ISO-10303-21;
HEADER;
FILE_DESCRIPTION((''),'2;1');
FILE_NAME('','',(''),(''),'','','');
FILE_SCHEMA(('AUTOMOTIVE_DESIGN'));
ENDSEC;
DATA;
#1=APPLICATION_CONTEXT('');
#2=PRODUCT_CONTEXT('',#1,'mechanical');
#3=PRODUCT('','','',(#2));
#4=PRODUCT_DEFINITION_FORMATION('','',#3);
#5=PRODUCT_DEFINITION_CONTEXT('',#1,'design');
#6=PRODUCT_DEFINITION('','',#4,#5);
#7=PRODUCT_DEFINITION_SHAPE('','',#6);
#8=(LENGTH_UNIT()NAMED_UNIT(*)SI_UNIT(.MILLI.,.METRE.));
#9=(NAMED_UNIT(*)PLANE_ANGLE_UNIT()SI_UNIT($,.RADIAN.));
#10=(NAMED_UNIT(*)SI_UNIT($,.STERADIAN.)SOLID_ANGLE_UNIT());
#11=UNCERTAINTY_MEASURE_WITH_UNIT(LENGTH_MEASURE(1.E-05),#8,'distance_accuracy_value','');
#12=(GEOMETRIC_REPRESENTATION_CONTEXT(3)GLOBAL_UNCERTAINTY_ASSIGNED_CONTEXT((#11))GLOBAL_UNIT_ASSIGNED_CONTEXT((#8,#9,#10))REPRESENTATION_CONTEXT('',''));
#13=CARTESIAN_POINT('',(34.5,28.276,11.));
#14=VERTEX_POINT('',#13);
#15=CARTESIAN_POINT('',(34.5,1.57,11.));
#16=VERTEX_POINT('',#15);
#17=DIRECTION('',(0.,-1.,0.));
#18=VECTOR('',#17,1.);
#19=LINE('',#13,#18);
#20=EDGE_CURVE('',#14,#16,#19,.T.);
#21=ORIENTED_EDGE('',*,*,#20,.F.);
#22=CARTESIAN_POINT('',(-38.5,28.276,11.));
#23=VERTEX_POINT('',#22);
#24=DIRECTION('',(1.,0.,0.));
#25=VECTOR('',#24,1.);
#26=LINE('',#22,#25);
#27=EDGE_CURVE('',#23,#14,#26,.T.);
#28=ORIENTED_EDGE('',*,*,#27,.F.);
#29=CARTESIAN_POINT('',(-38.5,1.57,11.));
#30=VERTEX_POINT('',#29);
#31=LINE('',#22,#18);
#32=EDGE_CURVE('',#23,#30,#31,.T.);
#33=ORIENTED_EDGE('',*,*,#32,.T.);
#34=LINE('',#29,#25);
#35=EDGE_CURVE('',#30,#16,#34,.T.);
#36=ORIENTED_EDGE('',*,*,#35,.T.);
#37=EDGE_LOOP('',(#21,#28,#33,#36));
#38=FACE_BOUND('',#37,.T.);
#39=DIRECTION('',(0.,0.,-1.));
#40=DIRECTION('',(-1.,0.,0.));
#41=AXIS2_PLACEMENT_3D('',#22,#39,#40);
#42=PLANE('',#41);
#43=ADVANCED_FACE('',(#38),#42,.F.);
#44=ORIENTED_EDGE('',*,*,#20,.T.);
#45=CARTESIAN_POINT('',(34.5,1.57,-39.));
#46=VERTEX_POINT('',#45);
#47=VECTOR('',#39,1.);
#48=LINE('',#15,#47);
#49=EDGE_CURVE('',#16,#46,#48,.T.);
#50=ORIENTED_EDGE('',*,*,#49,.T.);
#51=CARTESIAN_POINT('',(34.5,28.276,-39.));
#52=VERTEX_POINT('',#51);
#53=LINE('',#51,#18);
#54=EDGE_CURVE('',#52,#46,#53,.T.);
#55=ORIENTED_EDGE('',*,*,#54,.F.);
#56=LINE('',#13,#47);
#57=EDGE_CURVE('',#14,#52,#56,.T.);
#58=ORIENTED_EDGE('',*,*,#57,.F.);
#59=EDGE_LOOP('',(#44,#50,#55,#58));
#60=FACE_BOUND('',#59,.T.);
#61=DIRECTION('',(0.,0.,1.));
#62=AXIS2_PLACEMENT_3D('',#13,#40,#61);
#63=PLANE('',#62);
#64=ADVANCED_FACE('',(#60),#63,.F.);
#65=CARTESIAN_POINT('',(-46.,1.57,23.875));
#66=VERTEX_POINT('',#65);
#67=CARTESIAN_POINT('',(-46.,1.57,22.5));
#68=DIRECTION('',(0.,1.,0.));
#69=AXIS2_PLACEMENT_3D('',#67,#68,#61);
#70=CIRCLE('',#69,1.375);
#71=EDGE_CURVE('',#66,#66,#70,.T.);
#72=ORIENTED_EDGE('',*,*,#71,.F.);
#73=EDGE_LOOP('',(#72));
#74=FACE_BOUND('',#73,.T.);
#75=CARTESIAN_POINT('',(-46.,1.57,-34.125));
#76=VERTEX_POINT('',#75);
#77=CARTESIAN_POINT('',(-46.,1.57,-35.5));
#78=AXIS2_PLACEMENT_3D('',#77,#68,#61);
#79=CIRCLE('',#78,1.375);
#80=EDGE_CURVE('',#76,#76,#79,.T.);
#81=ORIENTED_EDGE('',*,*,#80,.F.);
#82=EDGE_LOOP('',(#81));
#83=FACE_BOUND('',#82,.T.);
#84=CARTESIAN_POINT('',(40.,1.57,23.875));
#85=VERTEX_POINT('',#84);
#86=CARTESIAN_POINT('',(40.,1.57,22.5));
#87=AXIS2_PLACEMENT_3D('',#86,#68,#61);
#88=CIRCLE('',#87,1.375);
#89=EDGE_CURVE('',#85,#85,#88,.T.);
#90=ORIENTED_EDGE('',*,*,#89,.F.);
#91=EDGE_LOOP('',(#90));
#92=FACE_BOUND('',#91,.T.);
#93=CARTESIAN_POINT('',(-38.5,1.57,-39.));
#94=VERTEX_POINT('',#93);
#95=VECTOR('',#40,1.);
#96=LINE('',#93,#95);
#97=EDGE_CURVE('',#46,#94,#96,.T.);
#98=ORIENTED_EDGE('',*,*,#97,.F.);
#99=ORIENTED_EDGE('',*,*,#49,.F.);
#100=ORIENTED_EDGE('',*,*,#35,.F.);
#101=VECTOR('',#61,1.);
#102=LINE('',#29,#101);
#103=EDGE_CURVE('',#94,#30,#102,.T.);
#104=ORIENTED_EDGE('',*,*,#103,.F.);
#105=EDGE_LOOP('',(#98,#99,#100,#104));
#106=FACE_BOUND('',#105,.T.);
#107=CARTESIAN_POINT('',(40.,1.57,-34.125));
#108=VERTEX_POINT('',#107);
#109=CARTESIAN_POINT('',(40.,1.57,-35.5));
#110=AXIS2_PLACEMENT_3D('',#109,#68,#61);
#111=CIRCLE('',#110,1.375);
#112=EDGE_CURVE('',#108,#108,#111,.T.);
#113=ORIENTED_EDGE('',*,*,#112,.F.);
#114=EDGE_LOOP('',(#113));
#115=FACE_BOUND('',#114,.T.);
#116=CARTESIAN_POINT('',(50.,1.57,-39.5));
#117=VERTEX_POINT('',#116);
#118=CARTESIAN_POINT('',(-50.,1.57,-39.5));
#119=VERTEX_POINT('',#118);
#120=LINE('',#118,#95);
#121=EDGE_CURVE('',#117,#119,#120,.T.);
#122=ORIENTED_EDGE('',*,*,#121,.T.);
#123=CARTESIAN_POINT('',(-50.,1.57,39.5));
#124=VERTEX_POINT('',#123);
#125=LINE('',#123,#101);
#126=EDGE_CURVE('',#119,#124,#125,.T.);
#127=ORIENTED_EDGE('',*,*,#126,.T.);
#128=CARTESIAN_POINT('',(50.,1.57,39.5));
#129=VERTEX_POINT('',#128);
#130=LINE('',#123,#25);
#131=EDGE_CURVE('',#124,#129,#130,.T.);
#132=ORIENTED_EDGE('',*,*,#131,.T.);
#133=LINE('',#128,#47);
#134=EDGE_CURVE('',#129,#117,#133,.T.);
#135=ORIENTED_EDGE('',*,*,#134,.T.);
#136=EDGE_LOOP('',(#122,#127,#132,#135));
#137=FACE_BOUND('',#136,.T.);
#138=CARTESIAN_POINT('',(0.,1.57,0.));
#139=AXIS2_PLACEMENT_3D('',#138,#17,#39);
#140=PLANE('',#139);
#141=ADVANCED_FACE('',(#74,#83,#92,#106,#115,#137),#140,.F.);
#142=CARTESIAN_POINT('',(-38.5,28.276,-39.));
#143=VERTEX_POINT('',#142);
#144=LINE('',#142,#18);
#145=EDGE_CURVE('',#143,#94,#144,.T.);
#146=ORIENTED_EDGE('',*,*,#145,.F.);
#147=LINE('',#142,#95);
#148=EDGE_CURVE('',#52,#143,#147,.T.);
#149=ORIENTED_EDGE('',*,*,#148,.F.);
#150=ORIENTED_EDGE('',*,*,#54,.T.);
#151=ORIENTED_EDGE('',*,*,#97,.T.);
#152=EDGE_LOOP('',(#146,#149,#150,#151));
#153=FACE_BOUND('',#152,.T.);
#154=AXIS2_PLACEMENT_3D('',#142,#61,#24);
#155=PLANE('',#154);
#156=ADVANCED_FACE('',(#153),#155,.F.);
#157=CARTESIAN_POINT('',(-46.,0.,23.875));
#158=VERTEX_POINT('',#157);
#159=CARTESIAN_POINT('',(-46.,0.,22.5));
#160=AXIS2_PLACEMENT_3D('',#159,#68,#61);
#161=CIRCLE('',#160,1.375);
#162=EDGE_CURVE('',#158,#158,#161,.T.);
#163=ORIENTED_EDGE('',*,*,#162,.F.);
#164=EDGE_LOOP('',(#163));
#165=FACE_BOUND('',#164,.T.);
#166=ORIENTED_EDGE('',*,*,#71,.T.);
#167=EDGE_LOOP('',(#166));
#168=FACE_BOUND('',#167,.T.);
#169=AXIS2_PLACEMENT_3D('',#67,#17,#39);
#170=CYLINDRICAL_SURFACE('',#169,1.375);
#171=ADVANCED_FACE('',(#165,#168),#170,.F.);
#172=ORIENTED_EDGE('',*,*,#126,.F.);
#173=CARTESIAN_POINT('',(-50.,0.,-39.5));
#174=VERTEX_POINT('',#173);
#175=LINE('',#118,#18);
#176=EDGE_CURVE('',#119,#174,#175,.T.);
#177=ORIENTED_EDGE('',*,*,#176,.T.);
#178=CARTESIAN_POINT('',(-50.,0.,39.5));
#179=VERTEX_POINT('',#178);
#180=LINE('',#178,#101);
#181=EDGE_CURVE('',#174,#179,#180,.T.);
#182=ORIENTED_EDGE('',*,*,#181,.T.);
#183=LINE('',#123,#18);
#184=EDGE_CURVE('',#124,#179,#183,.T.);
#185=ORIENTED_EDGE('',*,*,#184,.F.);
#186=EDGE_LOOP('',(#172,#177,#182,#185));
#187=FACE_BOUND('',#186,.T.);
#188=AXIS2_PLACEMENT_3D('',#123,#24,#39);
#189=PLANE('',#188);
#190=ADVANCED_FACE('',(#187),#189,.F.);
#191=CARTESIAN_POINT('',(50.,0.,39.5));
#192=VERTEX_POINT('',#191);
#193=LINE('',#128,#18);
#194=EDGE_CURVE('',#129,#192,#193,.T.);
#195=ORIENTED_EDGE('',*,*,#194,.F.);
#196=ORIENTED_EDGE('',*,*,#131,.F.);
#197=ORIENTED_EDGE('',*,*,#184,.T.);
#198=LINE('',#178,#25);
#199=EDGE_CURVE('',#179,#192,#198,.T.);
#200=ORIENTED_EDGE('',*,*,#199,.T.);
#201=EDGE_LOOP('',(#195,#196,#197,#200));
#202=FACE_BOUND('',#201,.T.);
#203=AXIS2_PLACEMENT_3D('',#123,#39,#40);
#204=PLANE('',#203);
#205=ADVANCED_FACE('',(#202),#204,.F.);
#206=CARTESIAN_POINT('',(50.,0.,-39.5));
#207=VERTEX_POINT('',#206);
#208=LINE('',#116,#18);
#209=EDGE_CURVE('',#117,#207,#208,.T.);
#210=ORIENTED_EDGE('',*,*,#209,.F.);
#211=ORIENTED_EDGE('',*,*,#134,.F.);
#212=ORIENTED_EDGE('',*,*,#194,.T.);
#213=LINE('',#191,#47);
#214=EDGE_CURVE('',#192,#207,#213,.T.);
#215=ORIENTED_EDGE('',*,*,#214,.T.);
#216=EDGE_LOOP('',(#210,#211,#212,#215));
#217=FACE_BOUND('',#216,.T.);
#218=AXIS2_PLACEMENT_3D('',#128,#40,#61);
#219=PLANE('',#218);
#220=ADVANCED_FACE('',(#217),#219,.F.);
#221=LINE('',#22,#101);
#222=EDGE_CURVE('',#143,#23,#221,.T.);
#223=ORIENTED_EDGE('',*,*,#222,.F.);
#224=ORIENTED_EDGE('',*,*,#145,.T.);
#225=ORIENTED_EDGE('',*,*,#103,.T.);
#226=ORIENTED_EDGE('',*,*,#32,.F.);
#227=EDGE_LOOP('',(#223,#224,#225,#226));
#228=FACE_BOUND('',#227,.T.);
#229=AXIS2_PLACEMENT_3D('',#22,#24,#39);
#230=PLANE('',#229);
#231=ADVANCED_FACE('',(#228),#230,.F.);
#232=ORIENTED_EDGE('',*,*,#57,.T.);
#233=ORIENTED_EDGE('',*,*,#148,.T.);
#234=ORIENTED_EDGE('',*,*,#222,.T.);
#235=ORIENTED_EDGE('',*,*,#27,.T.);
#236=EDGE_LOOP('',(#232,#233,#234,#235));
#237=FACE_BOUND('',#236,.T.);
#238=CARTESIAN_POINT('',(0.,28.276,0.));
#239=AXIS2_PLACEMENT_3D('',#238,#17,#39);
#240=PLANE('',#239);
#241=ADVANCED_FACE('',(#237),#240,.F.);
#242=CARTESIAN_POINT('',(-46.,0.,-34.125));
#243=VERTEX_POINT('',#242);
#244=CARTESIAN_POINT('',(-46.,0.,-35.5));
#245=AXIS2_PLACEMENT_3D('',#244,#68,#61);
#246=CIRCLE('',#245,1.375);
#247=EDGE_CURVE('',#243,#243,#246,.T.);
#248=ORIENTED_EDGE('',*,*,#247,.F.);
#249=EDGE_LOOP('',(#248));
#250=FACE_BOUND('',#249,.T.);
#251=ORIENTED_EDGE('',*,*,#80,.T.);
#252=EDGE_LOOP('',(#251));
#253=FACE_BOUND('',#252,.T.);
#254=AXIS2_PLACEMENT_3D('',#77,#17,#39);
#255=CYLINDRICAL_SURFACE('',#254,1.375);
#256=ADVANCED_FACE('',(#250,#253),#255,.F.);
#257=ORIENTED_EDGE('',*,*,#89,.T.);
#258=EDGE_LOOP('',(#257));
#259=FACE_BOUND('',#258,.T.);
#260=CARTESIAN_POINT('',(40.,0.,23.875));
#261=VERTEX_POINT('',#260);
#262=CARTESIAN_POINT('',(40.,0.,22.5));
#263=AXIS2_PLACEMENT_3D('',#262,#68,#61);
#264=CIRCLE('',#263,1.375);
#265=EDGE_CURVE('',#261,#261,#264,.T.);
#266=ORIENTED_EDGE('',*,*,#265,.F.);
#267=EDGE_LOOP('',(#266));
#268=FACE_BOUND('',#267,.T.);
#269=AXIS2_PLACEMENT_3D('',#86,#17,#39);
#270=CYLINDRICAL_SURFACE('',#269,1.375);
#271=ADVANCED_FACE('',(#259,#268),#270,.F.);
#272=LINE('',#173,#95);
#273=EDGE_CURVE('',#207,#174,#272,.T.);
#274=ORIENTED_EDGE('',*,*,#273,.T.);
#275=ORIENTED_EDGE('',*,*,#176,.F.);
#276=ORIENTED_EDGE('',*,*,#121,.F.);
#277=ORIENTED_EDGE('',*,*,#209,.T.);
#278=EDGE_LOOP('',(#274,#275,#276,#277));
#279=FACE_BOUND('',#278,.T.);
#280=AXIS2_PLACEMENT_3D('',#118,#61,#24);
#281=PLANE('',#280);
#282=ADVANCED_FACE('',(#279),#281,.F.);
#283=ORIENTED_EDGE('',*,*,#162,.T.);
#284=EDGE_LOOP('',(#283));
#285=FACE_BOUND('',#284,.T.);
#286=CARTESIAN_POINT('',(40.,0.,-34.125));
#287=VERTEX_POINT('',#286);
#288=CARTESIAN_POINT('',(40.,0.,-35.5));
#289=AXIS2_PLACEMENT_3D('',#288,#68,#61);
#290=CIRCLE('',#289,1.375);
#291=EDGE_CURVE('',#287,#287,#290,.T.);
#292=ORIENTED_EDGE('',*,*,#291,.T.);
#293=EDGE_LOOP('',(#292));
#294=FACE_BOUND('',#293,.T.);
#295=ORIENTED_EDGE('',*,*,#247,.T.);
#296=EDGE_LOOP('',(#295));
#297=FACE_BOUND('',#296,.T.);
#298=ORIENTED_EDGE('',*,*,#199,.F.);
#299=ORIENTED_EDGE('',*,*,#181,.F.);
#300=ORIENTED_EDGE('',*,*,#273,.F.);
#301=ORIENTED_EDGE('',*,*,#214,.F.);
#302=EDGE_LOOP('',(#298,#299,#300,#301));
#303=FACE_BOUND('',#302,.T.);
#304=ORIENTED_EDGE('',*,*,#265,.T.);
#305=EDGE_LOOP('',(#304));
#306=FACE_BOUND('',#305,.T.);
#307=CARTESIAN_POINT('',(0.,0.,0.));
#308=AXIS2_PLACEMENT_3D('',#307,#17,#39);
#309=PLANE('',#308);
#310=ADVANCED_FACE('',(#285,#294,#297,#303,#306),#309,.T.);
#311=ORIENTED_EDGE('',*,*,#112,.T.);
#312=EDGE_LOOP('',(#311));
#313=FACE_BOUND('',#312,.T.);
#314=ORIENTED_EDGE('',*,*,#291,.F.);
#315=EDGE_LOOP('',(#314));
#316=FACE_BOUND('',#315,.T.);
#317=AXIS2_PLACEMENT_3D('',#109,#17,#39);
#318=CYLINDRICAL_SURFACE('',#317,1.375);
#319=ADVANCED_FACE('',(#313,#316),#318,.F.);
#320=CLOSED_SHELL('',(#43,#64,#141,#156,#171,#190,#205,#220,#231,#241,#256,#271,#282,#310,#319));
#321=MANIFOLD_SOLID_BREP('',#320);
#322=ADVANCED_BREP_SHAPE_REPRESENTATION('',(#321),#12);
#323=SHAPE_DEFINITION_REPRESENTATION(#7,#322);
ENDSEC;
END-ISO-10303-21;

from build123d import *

# Parameters (mm, degrees)
SKETCH1_W           = 100
SKETCH1_H           = 79
SKETCH1_R           = 1.375
BOSS_EXTRUDE1_DEPTH = 1.57
SKETCH2_W           = 73
SKETCH2_H           = 50
BOSS_EXTRUDE2_DEPTH = 26.706


with BuildPart() as part:
    # Sketch1 → Boss-Extrude1 (new body)
    with BuildSketch(Plane(origin=(0, 0, 0), x_dir=(1, 0, 0), z_dir=(0, 1, 0))):
        Rectangle(SKETCH1_W, SKETCH1_H)
        with Locations((-46, 35.5)):
            Circle(SKETCH1_R, mode=Mode.SUBTRACT)
        with Locations((40, 35.5)):
            Circle(SKETCH1_R, mode=Mode.SUBTRACT)
        with Locations((-46, -22.5)):
            Circle(SKETCH1_R, mode=Mode.SUBTRACT)
        with Locations((40, -22.5)):
            Circle(SKETCH1_R, mode=Mode.SUBTRACT)
    extrude(amount=BOSS_EXTRUDE1_DEPTH)

    # Sketch2 → Boss-Extrude2 (add)
    with BuildSketch(Plane(origin=(0, 1.57, 0), x_dir=(1, 0, 0), z_dir=(0, 1, 0))):
        with Locations((-2, 14)):
            Rectangle(SKETCH2_W, SKETCH2_H)
    extrude(amount=BOSS_EXTRUDE2_DEPTH)


solid = part.part
